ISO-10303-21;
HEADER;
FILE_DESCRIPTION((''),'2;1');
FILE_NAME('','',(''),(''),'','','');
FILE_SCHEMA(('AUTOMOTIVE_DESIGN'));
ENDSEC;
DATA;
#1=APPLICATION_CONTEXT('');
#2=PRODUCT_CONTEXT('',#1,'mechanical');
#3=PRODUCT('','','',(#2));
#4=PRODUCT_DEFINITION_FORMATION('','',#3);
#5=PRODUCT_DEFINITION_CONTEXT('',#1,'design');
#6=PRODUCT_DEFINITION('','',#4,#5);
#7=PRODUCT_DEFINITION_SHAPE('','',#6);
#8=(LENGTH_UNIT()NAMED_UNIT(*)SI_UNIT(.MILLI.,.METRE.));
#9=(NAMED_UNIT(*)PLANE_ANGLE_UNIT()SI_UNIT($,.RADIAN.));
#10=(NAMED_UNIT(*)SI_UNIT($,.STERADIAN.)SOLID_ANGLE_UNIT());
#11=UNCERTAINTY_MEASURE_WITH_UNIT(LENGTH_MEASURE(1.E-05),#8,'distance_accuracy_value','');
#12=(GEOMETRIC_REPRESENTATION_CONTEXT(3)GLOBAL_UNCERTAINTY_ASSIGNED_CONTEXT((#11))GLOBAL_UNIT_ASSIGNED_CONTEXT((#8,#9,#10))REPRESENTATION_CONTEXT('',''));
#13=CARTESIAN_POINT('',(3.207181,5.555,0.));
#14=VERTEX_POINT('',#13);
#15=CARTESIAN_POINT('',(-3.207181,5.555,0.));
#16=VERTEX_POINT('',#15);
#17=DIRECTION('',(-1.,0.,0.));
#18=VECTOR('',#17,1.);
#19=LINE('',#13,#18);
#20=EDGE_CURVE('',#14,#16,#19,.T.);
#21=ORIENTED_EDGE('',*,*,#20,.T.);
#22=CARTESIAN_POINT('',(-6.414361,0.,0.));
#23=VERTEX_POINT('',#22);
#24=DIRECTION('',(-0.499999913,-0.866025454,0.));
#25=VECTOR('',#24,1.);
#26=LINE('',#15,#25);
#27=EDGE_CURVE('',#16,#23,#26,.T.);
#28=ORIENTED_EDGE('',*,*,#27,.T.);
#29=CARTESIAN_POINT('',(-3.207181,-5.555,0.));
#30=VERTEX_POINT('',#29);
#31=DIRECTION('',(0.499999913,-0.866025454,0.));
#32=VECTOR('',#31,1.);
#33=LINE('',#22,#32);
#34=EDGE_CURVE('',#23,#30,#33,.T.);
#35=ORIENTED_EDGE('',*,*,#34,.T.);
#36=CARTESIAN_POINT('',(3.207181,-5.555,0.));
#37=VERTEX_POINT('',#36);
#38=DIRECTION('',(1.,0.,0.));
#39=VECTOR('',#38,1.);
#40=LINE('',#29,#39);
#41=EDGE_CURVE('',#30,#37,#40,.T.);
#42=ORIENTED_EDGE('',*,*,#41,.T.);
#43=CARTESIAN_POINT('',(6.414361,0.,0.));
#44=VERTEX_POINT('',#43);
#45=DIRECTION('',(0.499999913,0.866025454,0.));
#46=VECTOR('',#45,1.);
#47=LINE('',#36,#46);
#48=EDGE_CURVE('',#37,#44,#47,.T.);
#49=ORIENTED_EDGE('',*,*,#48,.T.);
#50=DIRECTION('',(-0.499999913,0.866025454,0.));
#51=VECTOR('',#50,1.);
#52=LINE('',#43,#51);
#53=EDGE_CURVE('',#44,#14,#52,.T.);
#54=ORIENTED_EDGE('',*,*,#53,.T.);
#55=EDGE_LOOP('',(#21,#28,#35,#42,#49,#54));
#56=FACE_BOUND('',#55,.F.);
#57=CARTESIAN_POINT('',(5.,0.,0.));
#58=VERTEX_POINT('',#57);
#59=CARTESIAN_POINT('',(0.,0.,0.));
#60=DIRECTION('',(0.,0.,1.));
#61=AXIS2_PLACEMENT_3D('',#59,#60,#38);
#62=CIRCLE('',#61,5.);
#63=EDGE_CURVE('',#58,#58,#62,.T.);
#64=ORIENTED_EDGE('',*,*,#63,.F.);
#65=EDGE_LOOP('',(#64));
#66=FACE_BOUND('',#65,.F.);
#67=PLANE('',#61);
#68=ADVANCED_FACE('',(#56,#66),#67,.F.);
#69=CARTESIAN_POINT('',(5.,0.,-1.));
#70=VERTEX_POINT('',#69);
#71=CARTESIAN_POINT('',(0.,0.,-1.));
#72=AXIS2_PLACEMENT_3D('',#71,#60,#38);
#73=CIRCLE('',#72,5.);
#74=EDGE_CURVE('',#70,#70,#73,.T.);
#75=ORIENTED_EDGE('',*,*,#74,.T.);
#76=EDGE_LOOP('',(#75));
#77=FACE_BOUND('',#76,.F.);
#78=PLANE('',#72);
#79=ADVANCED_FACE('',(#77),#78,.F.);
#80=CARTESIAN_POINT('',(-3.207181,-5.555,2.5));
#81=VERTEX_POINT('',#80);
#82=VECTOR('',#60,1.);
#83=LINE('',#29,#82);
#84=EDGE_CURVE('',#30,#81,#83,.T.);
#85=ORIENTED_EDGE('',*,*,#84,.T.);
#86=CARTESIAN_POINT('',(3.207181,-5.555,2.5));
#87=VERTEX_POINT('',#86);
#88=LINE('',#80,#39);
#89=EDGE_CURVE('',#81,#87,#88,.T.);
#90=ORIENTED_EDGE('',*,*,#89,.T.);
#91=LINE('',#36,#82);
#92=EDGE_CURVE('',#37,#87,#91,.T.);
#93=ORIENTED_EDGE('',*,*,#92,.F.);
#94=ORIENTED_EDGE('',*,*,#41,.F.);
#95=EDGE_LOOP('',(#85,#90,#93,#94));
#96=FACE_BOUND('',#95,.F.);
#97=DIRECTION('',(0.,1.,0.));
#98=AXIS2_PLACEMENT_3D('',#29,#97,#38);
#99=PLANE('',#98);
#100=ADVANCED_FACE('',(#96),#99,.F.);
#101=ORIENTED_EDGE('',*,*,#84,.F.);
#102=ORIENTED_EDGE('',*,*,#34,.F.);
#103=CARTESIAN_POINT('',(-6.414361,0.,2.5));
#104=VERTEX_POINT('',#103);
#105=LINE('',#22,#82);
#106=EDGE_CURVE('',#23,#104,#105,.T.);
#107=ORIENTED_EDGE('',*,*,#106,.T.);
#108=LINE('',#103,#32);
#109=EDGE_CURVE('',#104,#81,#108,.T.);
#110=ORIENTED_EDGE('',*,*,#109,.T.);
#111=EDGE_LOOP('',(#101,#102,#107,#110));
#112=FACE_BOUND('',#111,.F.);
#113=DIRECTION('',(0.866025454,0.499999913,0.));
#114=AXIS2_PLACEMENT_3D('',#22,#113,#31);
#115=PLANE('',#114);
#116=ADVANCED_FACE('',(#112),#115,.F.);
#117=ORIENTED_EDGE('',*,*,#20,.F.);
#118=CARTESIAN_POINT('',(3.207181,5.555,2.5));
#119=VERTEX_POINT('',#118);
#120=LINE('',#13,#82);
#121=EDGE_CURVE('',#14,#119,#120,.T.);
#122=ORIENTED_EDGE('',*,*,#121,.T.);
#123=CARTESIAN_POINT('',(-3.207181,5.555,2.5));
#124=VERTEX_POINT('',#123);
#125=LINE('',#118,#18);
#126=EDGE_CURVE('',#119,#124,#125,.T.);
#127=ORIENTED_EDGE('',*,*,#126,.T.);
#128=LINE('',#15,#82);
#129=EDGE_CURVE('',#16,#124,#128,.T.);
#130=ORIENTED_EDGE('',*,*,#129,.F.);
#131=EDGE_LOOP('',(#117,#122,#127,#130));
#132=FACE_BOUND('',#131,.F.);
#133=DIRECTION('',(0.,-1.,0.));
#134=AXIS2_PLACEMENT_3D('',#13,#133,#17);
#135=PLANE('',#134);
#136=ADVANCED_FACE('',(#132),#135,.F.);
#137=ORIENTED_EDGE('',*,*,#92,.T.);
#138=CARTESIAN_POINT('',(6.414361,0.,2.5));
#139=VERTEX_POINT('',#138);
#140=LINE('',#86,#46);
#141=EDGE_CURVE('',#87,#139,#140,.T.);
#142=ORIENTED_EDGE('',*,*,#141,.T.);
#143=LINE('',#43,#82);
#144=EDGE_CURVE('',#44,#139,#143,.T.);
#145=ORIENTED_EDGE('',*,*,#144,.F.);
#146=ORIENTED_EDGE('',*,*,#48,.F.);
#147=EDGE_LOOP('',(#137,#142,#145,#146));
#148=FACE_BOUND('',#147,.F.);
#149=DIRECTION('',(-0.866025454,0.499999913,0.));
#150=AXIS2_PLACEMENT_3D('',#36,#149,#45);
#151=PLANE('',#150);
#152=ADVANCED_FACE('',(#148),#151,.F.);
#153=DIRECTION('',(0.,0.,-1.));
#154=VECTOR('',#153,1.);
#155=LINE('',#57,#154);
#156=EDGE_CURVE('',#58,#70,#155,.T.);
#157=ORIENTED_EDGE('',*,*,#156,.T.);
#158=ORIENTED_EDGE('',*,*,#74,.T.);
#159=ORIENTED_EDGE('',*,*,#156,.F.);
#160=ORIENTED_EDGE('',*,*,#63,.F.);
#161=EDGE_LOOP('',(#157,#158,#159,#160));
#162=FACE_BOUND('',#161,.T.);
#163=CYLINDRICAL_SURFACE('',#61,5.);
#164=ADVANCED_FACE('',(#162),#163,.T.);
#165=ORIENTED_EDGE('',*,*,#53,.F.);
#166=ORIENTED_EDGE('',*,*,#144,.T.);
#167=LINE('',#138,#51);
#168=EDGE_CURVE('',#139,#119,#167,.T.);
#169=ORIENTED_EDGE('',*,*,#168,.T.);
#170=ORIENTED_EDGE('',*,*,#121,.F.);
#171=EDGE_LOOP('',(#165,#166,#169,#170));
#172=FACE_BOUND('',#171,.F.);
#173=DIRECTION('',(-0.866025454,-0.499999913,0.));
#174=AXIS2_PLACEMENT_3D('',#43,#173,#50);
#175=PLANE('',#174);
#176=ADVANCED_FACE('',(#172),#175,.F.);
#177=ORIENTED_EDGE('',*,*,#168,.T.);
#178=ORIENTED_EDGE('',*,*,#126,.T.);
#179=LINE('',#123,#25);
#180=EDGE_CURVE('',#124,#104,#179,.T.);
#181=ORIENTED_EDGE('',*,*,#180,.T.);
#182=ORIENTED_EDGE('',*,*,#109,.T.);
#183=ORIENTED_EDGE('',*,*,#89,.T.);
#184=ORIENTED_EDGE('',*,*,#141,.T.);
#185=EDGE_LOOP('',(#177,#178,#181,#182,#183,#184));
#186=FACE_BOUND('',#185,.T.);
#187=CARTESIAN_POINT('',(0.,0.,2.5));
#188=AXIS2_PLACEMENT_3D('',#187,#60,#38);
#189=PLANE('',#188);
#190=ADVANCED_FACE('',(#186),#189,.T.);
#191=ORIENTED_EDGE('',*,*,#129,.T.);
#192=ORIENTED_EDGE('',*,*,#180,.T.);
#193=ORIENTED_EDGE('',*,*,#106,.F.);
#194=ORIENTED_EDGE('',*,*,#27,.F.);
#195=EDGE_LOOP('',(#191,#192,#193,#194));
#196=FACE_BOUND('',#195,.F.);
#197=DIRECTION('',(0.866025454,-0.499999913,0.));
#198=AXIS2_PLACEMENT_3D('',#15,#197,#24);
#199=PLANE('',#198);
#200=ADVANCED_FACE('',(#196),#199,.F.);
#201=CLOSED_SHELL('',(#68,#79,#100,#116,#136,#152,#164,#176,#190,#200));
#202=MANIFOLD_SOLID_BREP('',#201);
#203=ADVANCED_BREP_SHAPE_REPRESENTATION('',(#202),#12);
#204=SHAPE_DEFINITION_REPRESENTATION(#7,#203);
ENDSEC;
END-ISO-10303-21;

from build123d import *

# Parameters (mm, degrees)
F0_R     = 5
F1_DEPTH = 2.5
F2_DEPTH = 1


with BuildPart() as f1:
    # F0 (on Top) → F1 (new body)
    with BuildSketch(Plane.XY):
        Polygon((-6.414361, 0), (-3.207181, -5.555), (3.207181, -5.555), (6.414361, 0), (3.207181, 5.555), (-3.207181, 5.555), align=None)
        Circle(F0_R, mode=Mode.SUBTRACT)
        Circle(F0_R)
    extrude(amount=F1_DEPTH)

    # F0 (on Top) → F2 (join)
    with BuildSketch(Plane.XY):
        Circle(F0_R)
    extrude(amount=-F2_DEPTH)


solid = f1.part
